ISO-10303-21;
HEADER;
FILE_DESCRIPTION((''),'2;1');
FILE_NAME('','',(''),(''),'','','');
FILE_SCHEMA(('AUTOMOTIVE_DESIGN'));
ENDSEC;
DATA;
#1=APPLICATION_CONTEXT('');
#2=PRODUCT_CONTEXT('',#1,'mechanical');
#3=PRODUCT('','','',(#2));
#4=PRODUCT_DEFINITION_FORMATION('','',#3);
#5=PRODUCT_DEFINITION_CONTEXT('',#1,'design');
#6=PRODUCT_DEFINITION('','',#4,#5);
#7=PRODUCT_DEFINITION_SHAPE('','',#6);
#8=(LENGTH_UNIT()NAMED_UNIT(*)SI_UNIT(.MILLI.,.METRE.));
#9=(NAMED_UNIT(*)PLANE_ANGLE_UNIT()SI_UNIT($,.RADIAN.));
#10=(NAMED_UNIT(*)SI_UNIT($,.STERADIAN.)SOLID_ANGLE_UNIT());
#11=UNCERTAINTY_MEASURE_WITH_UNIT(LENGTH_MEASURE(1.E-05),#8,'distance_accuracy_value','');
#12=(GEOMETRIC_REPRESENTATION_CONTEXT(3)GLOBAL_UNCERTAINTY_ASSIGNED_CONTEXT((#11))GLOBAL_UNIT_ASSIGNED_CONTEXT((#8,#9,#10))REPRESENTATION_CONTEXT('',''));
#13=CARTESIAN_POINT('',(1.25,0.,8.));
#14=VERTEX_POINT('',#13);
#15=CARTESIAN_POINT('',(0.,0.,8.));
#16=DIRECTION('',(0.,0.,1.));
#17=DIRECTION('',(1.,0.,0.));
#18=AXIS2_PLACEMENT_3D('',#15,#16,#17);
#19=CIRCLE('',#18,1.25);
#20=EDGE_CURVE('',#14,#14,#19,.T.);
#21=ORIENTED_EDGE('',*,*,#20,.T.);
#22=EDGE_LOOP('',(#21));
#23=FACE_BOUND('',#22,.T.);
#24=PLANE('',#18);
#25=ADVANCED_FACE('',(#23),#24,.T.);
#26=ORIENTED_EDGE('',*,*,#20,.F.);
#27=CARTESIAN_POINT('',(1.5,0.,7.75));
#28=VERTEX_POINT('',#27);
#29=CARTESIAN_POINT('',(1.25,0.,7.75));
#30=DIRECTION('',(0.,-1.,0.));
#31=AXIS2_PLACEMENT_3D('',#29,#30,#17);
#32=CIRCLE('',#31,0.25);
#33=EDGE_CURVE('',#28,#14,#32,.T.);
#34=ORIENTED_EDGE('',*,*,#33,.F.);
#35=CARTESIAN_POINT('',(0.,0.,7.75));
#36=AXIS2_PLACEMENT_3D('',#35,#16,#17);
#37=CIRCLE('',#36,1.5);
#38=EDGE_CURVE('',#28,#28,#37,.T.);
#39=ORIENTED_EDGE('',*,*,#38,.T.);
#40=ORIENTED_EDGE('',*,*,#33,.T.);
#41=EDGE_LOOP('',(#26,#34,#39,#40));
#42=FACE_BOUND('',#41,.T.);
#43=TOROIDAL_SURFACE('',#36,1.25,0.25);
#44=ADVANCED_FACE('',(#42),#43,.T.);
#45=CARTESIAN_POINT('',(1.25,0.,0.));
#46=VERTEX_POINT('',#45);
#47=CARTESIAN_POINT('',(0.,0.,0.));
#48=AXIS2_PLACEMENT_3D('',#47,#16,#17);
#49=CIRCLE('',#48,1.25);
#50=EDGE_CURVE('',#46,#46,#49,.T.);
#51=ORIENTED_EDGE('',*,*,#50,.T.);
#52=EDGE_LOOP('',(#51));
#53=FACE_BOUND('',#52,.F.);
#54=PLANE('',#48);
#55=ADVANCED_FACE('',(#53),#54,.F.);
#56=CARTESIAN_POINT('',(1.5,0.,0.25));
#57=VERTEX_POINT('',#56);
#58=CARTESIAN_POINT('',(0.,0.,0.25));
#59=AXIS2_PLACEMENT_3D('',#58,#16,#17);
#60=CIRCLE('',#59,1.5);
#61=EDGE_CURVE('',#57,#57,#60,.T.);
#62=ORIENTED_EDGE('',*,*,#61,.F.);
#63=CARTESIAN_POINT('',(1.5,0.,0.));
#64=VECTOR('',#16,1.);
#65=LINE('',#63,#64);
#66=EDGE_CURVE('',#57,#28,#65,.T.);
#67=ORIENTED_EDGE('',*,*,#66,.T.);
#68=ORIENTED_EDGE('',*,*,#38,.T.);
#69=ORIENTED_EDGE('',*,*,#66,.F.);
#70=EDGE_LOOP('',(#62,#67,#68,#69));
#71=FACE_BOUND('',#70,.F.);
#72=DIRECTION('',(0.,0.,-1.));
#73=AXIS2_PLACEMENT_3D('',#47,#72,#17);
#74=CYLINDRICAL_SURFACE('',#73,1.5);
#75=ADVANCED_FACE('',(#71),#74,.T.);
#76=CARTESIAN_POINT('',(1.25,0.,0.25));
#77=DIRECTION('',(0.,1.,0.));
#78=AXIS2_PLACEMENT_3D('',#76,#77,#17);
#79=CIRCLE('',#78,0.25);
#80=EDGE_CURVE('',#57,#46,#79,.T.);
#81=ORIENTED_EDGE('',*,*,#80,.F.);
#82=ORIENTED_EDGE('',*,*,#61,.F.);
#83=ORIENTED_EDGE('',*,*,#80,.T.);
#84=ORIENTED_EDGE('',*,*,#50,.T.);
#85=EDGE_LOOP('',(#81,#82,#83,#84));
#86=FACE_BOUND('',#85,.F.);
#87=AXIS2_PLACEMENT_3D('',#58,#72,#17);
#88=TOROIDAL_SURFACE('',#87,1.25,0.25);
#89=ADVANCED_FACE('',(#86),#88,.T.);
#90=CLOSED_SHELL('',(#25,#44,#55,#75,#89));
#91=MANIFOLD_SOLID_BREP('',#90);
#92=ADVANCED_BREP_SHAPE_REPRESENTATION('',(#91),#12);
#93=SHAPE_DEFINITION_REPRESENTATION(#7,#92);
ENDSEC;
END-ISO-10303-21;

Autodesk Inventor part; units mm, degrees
ref_plane "YZ Plane" through (0, 0, 0) normal (1, 0, 0) x (0, 1, 0)
ref_plane "XZ Plane" through (0, 0, 0) normal (0, 1, 0) x (-1, 0, 0)
ref_plane "XY Plane" through (0, 0, 0) normal (0, 0, 1) x (1, 0, 0)
sketch "Sketch1" plane through (0, 0, 0) normal (0, 0, 1) x (1, 0, 0)
  circle A0 centre (0, 0) radius 1.5
  dimension "d0" = 3
extrude "Extrusion1" add sketch "Sketch1" along normal blind 8
fillet "Fillet1" radius 0.25 2 edges at (-1.5, 0, 8) (-1.5, 0, 0)
properties part number "48"
